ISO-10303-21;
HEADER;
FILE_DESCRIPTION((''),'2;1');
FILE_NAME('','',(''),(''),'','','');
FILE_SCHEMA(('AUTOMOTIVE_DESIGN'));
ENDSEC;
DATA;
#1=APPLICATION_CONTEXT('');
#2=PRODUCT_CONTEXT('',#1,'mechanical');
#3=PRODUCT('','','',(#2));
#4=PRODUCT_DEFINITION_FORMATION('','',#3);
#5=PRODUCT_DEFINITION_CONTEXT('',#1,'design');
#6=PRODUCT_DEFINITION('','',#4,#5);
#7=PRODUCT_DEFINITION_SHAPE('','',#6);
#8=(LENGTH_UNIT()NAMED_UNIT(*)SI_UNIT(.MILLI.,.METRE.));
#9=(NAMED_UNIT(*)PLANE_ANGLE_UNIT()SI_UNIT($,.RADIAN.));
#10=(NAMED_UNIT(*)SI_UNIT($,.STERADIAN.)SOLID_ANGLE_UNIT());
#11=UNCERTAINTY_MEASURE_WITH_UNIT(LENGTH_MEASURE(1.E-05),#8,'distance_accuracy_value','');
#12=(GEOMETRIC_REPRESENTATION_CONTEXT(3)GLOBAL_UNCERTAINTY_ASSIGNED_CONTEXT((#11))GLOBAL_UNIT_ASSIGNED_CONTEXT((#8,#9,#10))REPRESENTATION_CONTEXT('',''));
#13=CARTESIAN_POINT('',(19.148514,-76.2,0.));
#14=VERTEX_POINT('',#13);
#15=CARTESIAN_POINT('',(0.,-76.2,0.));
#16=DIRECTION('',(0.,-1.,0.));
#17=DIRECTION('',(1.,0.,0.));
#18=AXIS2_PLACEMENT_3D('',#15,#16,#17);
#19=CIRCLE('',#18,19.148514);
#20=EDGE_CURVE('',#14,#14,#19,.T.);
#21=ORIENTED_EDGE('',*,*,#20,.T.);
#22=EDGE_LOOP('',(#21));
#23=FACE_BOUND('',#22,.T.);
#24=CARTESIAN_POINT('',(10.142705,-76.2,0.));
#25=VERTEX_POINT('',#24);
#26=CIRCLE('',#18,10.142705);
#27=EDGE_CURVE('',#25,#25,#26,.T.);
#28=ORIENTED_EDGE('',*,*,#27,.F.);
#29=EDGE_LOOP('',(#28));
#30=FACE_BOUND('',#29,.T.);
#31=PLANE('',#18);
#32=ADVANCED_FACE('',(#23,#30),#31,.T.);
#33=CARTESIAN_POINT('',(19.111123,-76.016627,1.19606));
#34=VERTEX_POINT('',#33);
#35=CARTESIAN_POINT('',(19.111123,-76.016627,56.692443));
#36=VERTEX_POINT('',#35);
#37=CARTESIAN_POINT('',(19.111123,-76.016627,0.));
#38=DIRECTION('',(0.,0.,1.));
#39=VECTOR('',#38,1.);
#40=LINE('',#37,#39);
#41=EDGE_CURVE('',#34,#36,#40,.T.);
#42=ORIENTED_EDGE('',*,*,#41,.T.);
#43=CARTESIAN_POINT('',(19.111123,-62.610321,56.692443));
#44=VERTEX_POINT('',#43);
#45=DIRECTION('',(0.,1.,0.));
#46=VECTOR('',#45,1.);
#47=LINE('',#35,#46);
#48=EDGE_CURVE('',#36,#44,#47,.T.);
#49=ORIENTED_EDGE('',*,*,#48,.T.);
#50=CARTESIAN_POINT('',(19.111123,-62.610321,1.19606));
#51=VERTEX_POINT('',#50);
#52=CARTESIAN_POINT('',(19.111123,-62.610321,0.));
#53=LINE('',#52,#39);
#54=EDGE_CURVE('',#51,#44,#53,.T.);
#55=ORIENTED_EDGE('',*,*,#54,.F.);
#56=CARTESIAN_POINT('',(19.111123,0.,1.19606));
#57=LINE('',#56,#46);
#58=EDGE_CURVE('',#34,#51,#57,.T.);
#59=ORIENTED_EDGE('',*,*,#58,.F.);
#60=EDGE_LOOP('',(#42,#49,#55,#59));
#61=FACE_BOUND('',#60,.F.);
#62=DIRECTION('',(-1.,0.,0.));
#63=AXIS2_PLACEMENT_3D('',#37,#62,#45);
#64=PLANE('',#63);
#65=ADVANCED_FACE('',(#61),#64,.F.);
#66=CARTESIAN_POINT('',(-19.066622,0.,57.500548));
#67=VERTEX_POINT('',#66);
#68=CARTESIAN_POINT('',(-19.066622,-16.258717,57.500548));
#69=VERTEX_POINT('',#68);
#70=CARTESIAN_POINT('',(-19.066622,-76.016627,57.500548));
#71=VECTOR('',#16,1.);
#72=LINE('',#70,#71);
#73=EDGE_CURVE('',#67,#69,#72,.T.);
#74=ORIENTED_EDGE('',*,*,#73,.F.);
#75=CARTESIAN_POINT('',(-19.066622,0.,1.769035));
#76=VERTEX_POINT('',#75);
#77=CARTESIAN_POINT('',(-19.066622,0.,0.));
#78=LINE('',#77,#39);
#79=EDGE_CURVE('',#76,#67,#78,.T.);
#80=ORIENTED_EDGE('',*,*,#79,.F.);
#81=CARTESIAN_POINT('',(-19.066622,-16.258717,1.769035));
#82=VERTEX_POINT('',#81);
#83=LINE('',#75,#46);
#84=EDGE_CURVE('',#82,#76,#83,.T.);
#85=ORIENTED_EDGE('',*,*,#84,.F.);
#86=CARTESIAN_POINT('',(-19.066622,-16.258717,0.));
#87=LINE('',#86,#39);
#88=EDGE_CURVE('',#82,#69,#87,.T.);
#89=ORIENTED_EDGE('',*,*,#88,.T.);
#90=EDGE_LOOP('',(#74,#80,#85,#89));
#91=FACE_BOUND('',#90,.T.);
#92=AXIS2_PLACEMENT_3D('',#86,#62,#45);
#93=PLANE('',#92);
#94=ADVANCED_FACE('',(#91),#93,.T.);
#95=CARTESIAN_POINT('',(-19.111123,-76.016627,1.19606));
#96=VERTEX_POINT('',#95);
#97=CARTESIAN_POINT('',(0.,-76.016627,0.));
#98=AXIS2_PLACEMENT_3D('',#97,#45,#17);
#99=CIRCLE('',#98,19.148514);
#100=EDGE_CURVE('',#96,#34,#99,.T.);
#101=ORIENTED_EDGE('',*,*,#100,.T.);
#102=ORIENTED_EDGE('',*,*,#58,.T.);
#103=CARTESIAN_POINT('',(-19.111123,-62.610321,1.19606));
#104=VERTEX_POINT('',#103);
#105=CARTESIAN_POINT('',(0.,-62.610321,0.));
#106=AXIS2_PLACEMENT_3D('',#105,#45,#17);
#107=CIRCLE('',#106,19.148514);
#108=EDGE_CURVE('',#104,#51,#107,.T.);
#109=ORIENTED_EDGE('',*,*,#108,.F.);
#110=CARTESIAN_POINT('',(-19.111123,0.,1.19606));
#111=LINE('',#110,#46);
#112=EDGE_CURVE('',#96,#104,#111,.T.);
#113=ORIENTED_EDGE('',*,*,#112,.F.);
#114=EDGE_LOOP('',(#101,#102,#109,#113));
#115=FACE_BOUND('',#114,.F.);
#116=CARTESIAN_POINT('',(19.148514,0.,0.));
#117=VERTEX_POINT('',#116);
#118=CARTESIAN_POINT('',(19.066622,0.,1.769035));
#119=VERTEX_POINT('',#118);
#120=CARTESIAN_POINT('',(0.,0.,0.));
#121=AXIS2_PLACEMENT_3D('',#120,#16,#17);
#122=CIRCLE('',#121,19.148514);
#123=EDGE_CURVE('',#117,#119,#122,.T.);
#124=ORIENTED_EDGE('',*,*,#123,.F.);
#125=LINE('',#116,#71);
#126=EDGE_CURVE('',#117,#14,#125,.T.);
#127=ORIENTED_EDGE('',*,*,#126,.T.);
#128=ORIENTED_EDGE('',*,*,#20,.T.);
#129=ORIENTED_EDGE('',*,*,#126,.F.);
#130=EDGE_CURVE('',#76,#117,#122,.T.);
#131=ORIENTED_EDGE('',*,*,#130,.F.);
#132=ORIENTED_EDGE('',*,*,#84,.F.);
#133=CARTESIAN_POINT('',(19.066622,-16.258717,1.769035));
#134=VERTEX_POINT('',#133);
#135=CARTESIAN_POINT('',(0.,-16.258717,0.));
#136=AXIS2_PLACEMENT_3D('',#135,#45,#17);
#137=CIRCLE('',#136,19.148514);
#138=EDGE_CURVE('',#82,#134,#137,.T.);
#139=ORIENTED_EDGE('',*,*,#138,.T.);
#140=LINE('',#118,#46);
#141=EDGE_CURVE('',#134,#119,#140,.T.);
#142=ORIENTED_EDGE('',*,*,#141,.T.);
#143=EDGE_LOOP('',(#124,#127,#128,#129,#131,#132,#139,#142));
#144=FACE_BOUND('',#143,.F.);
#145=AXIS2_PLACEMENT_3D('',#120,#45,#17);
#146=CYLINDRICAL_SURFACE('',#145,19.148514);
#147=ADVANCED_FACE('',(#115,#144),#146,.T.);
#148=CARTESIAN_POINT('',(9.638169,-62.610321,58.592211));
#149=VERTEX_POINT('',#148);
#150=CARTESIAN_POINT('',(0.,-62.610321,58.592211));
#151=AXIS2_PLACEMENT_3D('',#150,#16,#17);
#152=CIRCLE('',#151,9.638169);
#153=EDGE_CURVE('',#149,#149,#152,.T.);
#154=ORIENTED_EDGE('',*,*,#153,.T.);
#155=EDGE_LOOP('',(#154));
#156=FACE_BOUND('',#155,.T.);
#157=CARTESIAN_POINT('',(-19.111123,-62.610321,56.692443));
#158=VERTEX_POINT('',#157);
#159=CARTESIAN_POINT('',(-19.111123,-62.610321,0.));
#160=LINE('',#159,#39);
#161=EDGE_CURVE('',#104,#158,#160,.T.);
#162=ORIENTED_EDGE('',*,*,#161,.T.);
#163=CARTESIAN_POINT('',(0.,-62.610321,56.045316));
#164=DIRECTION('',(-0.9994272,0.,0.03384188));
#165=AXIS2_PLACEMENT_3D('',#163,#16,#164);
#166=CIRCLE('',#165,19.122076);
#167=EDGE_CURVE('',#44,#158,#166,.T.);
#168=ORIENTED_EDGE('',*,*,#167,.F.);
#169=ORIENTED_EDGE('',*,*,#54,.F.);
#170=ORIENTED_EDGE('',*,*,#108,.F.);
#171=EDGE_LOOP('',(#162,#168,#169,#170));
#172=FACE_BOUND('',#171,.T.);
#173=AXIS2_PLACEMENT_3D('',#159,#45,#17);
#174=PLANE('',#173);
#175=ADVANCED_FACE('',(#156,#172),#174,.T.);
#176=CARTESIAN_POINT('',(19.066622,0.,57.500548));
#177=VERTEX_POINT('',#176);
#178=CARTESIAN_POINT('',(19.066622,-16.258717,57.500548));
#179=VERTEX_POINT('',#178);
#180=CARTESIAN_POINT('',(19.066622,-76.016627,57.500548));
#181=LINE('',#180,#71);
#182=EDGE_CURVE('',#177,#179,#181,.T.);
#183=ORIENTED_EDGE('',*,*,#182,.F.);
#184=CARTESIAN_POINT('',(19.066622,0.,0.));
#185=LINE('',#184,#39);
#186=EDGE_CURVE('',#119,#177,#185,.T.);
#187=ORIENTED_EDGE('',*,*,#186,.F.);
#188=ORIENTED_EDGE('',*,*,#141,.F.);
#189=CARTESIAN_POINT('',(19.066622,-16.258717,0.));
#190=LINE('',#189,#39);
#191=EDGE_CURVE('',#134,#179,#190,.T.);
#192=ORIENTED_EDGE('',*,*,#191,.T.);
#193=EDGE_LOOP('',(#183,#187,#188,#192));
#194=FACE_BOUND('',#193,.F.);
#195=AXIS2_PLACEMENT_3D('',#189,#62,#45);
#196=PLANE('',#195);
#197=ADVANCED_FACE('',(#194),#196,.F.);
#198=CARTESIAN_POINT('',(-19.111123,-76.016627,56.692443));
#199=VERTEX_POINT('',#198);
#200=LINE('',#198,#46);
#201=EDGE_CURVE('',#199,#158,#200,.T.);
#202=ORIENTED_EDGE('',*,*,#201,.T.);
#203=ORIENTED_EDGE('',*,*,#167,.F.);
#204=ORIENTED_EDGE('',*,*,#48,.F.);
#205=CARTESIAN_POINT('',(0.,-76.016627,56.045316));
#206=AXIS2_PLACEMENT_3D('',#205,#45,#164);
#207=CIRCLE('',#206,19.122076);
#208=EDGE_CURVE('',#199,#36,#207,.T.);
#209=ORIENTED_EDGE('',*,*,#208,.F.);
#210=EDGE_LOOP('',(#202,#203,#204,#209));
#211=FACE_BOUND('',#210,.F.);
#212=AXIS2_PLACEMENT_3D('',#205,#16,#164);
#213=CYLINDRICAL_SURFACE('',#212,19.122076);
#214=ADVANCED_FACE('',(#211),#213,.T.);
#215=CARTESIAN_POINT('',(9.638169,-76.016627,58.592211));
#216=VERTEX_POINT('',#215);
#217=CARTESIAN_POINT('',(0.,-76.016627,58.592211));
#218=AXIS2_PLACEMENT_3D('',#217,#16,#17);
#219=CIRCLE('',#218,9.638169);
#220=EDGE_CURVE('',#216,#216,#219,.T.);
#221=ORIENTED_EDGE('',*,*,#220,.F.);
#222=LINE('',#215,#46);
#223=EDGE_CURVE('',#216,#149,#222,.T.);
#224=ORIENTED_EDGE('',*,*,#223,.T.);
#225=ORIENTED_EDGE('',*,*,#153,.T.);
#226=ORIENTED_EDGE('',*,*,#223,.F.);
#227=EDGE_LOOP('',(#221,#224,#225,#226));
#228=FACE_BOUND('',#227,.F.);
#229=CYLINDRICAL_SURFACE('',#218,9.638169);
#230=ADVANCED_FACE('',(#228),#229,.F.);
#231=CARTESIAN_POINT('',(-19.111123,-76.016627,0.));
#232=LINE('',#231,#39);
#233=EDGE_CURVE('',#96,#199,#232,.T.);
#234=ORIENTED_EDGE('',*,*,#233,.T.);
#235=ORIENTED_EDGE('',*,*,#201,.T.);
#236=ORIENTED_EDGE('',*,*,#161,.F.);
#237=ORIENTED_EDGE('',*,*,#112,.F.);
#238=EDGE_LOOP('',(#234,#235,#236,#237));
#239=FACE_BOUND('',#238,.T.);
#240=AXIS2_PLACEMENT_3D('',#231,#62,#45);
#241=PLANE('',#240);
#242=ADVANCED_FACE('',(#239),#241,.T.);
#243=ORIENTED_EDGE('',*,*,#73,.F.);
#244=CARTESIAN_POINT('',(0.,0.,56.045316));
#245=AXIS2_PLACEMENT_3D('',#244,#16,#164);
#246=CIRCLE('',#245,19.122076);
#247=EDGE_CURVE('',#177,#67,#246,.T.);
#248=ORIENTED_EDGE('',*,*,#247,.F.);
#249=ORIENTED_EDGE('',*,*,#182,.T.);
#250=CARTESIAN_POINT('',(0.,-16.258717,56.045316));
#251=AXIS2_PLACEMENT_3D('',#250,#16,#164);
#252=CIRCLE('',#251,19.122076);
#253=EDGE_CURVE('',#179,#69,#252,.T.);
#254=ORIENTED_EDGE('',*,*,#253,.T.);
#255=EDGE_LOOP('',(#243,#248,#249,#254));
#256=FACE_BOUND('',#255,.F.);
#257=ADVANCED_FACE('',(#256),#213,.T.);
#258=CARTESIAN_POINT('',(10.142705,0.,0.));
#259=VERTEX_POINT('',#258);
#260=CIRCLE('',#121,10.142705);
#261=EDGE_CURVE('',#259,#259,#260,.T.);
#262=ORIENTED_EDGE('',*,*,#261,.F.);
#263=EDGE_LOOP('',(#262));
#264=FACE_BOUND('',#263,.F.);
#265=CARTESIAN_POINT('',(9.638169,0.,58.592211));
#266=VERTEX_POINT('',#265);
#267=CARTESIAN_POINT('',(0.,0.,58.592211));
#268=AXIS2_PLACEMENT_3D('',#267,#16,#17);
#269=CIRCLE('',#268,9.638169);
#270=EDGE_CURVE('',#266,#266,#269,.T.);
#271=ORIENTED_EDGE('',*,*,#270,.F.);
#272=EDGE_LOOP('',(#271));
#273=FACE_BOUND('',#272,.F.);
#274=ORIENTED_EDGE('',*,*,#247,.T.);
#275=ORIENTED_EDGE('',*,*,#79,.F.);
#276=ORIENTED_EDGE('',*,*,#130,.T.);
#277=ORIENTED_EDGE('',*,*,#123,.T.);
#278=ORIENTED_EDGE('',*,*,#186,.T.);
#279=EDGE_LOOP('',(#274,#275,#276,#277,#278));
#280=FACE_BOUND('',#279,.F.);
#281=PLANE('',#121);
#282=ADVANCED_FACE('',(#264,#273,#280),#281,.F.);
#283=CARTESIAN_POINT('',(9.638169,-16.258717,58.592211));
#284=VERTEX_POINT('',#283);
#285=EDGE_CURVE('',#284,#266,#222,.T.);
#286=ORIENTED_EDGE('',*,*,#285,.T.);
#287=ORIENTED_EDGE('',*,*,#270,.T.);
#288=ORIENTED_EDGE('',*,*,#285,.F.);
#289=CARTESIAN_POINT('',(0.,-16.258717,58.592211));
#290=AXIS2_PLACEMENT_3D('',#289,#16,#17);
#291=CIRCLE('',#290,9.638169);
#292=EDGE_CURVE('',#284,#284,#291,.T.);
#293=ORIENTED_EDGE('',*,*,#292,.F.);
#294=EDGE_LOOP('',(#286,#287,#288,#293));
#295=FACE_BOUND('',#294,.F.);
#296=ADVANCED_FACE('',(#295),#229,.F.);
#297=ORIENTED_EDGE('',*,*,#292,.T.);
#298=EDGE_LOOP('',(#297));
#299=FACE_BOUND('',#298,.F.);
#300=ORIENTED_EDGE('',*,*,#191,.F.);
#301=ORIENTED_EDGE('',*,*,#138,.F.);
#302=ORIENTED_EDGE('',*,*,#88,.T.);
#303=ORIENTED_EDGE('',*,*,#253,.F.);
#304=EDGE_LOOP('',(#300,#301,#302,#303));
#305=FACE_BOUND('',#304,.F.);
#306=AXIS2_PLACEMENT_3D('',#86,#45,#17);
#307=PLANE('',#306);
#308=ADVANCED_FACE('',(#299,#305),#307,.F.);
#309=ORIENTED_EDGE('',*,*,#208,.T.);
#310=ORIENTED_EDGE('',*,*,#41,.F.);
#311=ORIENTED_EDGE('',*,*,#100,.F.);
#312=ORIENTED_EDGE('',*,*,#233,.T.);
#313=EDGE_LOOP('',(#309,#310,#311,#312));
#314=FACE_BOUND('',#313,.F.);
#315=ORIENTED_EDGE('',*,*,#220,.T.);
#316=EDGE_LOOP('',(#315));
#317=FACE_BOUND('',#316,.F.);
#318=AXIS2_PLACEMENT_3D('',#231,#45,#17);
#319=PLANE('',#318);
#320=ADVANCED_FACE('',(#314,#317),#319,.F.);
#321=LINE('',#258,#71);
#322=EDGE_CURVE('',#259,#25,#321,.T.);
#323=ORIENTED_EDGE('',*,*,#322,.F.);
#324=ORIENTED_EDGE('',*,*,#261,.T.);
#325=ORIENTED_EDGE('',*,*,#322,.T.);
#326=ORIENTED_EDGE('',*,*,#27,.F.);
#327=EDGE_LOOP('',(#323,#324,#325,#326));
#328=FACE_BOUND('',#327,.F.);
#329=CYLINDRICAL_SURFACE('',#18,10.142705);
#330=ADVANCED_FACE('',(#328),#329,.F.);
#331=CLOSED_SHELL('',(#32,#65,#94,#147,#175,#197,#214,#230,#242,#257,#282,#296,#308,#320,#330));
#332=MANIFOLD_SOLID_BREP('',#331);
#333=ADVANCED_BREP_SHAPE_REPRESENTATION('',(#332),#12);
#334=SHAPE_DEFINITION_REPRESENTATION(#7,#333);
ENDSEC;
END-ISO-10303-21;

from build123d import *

# Parameters (mm, degrees)
F0_R      = 19.1485137608
F1_DEPTH  = 76.2
F2_R      = 10.1427054409
F3_DEPTH  = 76.2
F4_W      = 38.1332449615
F4_H      = 16.2587165833
F5_DEPTH  = 76.2
F6_W      = 38.222245872
F6_H      = 13.4063065052
F7_DEPTH  = 76.2
F9_DEPTH  = 127
F11_DEPTH = 127
F12_R     = 9.6381691068
F13_DEPTH = 127


with BuildPart() as f1:
    # F0 (on Front) → F1 (new body)
    with BuildSketch(Plane.XZ):
        Circle(F0_R)
    extrude(amount=F1_DEPTH)

    # F2 (on face) → F3 (cut)
    with BuildSketch(Plane.XZ.offset(76.2)):
        Circle(F2_R)
    extrude(amount=-F3_DEPTH, mode=Mode.SUBTRACT)

    # F4 (on Top) → F5 (join)
    with BuildSketch(Plane.XY):
        with Locations((0, -8.1293582916)):
            Rectangle(F4_W, F4_H)
    extrude(amount=F5_DEPTH)

    # F6 (on Top) → F7 (join)
    with BuildSketch(Plane.XY):
        with Locations((0, -69.3134739995)):
            Rectangle(F6_W, F6_H)
    extrude(amount=F7_DEPTH)

    # F8 (on face) → F9 (cut)
    with BuildSketch(Plane.XZ.offset(76.0166272521)):
        with BuildLine():
            ThreePointArc((10.1427054409, 0), (0, 10.1427054409), (-10.1427054409, 0))
            Line((-10.1427054409, 0), (10.1427054409, 0))
        make_face()
    extrude(amount=-F9_DEPTH, mode=Mode.SUBTRACT)

    # F10 (on face) → F11 (cut)
    with BuildSketch(Plane.XZ.offset(76.0166272521)):
        with BuildLine():
            ThreePointArc((-19.111122936, 56.6924431661), (0, 75.16739223), (19.111122936, 56.6924431661))
            Line((19.111122936, 56.6924431661), (19.111122936, 76.2))
            Line((19.111122936, 76.2), (-19.111122936, 76.2))
            Line((-19.111122936, 76.2), (-19.111122936, 56.6924431661))
        make_face()
    extrude(amount=-F11_DEPTH, mode=Mode.SUBTRACT)

    # F12 (on face) → F13 (cut)
    with BuildSketch(Plane.XZ.offset(76.0166272521)):
        with Locations((0, 58.5922114551)):
            Circle(F12_R)
    extrude(amount=-F13_DEPTH, mode=Mode.SUBTRACT)


solid = f1.part
